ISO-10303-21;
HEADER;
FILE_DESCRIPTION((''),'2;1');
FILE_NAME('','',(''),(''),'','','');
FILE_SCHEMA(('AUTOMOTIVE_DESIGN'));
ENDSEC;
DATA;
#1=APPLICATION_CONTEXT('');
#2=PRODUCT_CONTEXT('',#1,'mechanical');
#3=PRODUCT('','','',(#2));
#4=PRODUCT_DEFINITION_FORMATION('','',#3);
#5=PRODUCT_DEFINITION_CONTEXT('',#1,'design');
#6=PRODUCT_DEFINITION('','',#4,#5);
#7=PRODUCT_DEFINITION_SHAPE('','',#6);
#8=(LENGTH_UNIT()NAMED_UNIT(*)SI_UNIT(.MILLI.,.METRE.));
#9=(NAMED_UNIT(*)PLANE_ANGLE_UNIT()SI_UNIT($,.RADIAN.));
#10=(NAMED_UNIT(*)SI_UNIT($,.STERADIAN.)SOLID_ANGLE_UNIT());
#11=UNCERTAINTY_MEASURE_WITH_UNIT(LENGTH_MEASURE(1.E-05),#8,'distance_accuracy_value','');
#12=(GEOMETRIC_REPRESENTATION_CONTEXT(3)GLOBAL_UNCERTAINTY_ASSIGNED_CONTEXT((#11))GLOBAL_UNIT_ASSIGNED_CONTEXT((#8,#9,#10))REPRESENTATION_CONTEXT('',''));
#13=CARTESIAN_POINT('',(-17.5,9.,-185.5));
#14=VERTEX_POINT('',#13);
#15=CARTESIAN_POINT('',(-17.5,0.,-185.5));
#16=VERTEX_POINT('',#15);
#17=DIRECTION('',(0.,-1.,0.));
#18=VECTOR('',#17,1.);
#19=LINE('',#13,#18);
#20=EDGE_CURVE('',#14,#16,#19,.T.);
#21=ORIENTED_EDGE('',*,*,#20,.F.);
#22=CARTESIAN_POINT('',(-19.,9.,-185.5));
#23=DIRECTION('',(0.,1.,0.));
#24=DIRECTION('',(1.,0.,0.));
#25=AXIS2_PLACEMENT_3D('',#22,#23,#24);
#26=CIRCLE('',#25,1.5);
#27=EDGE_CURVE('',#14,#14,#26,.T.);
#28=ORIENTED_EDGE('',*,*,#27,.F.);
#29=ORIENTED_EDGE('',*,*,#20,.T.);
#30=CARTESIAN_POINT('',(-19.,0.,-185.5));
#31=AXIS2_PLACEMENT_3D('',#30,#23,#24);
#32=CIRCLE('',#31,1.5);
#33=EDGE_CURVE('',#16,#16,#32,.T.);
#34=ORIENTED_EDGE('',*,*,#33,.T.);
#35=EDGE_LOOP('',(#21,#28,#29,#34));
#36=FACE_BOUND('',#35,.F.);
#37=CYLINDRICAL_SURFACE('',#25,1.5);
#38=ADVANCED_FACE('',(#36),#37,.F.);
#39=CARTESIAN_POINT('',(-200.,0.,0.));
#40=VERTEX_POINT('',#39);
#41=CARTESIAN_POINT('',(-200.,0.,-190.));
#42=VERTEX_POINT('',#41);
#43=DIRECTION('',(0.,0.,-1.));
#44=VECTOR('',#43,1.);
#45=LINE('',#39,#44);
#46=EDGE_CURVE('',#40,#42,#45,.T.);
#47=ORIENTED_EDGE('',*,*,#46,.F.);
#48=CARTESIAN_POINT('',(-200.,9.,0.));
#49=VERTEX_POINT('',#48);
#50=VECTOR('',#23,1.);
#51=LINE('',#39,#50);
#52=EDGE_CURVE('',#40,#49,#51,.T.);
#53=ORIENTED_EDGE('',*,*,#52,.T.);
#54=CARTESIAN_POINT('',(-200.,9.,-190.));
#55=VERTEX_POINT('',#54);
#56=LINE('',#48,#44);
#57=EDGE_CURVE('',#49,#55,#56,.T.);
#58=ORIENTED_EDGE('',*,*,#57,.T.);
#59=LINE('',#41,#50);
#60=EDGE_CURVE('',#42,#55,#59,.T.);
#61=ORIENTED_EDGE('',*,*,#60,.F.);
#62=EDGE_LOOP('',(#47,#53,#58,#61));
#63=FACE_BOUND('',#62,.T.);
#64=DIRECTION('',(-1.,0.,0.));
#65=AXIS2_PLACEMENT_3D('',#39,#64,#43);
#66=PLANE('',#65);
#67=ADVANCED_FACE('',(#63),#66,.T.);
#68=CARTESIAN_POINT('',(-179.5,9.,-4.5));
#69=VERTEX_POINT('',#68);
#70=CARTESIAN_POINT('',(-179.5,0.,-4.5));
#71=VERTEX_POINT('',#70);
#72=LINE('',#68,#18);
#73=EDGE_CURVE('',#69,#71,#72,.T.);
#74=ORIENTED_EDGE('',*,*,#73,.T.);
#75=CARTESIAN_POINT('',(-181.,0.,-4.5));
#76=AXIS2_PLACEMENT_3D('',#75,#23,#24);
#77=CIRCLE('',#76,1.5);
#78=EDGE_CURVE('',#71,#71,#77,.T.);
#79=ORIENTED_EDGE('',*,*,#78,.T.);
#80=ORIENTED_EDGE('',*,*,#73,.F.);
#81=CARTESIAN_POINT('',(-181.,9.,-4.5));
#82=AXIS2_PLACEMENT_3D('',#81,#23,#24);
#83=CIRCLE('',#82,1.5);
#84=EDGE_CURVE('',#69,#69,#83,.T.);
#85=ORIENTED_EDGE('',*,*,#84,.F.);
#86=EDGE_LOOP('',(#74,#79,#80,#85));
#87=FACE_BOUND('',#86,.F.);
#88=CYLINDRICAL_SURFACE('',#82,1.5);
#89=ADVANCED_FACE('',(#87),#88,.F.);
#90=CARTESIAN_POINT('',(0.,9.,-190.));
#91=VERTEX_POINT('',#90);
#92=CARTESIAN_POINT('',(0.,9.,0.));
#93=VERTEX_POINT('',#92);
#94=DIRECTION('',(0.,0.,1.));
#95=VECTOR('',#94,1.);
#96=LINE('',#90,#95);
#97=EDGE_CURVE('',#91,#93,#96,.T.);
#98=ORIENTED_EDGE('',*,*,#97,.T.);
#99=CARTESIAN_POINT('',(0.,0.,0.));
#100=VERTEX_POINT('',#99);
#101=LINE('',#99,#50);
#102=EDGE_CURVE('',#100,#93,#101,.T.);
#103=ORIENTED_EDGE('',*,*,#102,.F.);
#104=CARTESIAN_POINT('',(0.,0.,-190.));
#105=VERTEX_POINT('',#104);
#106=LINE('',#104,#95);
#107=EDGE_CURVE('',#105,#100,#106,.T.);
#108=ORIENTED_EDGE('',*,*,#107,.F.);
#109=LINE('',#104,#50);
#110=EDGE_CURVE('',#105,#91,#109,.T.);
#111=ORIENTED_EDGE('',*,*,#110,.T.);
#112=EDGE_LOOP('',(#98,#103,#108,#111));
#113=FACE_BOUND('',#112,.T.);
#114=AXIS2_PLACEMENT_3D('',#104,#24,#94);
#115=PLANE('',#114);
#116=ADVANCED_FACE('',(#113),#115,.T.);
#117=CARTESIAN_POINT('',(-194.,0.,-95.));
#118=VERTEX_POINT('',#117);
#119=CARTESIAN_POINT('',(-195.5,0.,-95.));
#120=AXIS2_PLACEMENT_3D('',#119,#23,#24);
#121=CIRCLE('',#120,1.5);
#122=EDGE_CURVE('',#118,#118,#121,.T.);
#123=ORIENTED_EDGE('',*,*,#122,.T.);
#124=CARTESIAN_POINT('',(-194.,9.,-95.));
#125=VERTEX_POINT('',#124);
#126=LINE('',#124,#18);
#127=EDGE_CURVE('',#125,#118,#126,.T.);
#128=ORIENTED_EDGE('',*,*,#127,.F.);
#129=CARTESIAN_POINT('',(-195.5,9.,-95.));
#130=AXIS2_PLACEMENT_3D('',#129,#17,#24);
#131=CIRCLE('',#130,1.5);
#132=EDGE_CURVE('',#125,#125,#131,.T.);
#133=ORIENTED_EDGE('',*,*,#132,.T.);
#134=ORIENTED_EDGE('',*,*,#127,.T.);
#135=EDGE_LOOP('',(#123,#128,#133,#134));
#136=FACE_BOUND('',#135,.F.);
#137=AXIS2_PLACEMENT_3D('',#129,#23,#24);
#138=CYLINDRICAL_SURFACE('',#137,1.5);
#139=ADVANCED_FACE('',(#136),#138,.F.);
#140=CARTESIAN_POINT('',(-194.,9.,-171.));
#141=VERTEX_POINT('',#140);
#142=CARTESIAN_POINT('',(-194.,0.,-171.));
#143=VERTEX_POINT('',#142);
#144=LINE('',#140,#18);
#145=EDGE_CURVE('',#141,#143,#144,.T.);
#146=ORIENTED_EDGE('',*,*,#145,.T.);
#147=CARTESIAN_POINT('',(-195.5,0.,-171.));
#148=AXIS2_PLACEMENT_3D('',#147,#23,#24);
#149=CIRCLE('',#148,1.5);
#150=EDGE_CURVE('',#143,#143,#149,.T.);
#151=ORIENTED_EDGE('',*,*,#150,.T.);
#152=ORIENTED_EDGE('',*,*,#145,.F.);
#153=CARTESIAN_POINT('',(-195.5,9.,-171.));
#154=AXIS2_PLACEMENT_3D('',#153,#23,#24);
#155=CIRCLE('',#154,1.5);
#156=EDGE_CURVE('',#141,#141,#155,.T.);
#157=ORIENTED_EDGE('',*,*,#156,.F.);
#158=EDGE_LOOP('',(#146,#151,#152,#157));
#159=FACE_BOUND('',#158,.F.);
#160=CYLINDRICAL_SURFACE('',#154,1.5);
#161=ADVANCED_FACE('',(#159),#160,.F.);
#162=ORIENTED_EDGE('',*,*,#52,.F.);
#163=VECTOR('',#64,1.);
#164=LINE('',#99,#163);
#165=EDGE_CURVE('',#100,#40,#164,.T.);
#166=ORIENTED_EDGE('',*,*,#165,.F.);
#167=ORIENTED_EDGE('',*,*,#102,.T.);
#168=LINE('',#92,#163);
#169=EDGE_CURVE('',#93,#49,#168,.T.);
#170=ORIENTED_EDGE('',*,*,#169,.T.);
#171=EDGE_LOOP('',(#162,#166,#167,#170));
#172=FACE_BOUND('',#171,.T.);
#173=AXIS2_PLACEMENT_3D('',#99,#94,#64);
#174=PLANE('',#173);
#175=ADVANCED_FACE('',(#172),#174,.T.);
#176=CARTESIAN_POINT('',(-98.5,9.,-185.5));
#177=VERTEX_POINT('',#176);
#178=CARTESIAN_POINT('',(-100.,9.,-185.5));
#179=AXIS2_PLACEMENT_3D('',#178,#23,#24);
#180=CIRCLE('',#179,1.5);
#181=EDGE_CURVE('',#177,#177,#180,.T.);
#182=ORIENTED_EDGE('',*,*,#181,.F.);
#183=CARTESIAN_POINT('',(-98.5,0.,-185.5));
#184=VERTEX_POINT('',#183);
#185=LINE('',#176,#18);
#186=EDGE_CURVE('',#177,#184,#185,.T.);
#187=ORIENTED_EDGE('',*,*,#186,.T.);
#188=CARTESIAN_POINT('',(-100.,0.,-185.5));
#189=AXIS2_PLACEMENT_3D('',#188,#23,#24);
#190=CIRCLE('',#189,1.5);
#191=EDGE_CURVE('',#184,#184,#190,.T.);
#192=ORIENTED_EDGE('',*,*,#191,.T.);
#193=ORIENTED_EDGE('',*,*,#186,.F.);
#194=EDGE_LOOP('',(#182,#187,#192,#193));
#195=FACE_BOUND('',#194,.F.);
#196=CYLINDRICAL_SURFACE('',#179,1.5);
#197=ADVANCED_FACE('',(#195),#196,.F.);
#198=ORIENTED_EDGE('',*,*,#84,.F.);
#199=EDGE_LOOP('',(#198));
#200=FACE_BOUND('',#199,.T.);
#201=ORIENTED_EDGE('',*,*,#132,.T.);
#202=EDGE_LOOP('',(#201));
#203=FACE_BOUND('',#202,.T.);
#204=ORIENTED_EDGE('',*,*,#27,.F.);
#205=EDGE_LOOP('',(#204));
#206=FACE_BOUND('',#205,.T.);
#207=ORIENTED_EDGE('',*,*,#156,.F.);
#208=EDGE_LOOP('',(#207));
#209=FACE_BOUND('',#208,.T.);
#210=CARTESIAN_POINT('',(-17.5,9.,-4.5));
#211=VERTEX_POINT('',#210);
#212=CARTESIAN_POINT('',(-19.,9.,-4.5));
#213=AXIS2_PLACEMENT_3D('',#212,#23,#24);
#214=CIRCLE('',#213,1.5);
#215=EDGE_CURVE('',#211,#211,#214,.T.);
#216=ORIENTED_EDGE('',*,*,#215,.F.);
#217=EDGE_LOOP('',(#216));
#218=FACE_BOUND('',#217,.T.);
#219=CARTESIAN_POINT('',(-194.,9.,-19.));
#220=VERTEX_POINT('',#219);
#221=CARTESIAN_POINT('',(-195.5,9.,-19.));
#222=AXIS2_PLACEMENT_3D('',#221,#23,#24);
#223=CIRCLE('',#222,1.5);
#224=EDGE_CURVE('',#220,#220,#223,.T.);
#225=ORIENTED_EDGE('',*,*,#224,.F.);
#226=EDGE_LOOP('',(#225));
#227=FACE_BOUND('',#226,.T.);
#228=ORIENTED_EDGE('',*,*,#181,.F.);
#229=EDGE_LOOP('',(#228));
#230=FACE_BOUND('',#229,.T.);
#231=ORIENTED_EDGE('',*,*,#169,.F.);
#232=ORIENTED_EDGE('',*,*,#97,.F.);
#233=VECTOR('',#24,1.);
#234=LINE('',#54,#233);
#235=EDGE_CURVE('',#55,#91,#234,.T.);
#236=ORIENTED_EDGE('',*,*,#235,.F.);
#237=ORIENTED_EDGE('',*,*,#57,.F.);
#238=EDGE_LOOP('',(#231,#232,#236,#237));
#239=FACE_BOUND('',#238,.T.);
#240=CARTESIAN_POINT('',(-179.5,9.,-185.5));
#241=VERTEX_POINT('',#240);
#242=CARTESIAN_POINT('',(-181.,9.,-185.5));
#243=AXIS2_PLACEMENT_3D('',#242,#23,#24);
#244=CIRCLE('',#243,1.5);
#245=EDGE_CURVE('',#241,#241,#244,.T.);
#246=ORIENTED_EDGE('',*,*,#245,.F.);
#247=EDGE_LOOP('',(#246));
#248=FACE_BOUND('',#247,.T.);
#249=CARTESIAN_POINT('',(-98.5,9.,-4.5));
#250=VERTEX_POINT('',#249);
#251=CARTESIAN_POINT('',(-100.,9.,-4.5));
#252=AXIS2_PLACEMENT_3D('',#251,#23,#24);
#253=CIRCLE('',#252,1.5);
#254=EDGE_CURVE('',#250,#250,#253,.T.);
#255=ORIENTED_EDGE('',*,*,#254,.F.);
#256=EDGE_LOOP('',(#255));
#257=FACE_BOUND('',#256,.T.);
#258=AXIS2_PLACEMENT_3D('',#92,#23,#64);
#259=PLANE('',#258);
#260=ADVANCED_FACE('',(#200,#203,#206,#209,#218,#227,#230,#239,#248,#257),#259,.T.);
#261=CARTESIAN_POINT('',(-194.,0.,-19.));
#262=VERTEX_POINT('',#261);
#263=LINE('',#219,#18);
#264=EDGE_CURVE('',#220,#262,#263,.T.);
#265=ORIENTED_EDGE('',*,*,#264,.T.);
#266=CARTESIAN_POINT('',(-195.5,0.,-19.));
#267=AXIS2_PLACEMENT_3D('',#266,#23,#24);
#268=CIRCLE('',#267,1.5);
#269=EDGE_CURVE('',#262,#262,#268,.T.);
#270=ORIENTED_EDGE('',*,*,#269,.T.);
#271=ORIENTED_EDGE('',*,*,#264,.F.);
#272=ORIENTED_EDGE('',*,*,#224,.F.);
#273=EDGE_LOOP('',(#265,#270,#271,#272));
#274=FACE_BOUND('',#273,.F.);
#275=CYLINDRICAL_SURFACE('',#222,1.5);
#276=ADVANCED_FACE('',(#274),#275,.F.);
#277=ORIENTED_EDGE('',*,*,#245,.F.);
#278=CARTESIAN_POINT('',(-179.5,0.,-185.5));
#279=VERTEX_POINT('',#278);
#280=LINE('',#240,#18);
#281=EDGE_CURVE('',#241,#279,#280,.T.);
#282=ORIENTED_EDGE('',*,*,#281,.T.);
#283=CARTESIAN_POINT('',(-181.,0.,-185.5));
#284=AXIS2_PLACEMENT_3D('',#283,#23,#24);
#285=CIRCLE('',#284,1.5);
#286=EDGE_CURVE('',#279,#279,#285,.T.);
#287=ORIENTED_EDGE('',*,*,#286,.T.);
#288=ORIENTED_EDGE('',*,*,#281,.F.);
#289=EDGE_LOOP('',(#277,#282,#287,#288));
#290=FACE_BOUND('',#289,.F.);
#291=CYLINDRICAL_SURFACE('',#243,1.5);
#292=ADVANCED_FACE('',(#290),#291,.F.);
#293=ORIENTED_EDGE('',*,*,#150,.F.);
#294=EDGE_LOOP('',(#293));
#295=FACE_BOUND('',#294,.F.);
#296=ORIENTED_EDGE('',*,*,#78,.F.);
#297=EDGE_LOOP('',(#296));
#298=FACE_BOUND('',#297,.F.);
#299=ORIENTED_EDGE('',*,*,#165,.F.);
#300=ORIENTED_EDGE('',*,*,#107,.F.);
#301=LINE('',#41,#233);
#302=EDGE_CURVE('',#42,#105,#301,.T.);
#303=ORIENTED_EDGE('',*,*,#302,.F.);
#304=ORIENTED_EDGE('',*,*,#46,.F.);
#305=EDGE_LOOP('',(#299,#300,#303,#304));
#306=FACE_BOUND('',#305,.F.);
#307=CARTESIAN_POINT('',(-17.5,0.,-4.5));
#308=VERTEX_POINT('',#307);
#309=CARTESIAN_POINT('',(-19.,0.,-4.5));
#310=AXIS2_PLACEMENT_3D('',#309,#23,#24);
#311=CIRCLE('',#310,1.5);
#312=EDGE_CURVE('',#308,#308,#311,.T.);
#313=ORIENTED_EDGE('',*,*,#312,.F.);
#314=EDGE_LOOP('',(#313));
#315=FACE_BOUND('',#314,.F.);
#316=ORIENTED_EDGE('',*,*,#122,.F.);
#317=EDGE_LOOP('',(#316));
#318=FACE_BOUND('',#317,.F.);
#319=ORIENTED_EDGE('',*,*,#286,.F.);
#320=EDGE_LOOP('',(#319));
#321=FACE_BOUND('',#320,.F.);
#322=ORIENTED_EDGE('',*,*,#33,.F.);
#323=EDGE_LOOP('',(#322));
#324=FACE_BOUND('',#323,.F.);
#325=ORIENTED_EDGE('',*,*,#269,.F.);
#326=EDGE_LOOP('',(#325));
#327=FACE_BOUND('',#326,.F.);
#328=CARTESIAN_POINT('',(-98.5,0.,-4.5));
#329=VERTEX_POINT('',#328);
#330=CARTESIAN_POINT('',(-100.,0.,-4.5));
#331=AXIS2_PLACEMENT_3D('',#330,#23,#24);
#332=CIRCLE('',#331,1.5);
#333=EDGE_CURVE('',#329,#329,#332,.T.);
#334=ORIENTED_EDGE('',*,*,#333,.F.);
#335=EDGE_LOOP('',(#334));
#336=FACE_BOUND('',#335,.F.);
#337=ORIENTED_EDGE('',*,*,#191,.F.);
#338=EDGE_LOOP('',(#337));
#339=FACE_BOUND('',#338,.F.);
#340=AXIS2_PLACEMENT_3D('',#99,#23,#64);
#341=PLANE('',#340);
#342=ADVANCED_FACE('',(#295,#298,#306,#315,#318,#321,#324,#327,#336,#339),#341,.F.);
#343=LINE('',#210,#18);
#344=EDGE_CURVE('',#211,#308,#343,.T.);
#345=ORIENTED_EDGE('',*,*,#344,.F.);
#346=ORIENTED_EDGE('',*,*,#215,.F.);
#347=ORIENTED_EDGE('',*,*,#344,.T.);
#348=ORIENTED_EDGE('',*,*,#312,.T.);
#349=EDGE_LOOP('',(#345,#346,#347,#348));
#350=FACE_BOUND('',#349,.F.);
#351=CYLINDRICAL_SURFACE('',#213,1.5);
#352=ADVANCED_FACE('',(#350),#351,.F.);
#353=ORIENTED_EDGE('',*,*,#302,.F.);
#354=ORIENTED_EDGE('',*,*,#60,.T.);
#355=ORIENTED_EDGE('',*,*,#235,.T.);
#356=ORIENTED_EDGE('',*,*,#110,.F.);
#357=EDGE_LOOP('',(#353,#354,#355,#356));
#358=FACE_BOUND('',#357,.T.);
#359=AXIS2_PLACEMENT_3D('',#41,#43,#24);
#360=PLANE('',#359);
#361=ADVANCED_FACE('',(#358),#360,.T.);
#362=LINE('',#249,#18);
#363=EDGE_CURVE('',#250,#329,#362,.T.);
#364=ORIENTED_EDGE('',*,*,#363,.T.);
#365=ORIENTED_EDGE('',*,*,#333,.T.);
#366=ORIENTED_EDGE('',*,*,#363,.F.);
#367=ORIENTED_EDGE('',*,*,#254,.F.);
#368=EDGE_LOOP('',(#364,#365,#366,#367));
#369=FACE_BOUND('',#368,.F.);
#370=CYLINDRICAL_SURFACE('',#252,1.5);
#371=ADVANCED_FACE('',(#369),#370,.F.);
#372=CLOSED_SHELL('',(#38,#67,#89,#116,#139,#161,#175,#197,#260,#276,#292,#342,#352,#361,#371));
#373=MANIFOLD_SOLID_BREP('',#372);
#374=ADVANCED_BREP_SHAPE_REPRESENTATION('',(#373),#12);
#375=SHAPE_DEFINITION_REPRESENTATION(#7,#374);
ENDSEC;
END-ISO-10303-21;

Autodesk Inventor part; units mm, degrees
ref_plane "YZ Plane" through (0, 0, 0) normal (1, 0, 0) x (0, 1, 0)
ref_plane "XZ Plane" through (0, 0, 0) normal (0, 1, 0) x (-1, 0, 0)
ref_plane "XY Plane" through (0, 0, 0) normal (0, 0, 1) x (1, 0, 0)
sketch "Sketch1" plane through (0, 0, 0) normal (0, 1, 0) x (-1, 0, 0)
  line L0 (0, 0) -> (200, 0)
  line L1 (200, 0) -> (200, -190)
  line L2 (200, -190) -> (0, -190)
  line L3 (0, -190) -> (0, 0)
  dimension "d0" = 200
  dimension "d1" = 190
extrude "Extrusion1" add sketch "Sketch1" along normal blind 9
sketch "Sketch14" plane through (0, 9, 0) normal (0, 1, 0) x (1, 0, 0)
  line L0 (0, 190) -> (-200, 190) projected
  line L1 (-200, 190) -> (-200, 0) projected
  line L2 (-200, 0) -> (0, 0) projected
  line L3 (0, 0) -> (0, 190) projected
  line L4 (-200, 190) -> (-200, 0) projected
  line L5 (-200, 190) -> (0, 190)
  line L6 (0, 190) -> (0, 181)
  line L7 (0, 181) -> (-200, 181)
  line L8 (-200, 181) -> (-200, 190)
  line L9 (-200, 0) -> (0, 0) projected
  line L10 (-200, 181) -> (-191, 181)
  line L11 (-191, 181) -> (-191, 0)
  line L12 (-191, 0) -> (-200, 0)
  line L13 (-200, 0) -> (-200, 181)
  line L14 (0, 0) -> (0, 190) projected
  line L15 (-191, 0) -> (0, 0)
  line L16 (0, 0) -> (0, 9)
  line L17 (0, 9) -> (-191, 9)
  line L18 (-191, 9) -> (-191, 0)
  circle A0 centre (-19, 4.5) radius 1.5
  circle A1 centre (-100, 4.5) radius 1.5
  circle A2 centre (-181, 4.5) radius 1.5
  line L19 (-245.0017, 95) -> (56.9583, 95)
  circle A3 centre (-19, 185.5) radius 1.5
  circle A4 centre (-100, 185.5) radius 1.5
  circle A5 centre (-181, 185.5) radius 1.5
  circle A6 centre (-195.5, 95) radius 1.5
  circle A7 centre (-195.5, 171) radius 1.5
  circle A8 centre (-195.5, 19) radius 1.5
  dimension "d47" = 9
  dimension "d48" = 9
  dimension "d49" = 9
  dimension "d50" = 3
  dimension "d51" = 3
  dimension "d52" = 3
  dimension "d55" = 3
  dimension "d56" = 3
  dimension "d57" = 3
  dimension "d60" = 19
extrude "Extrusion14" cut sketch "Sketch14" against normal blind 10 contours A0 | A1 | A2 | A3 | A4 | A5
extrude "Extrusion15" cut sketch "Sketch14" against normal blind 10 contours A6 L19 | L19 A6 | A7 | A8
properties part number "BaseEncima_3DPrint"
